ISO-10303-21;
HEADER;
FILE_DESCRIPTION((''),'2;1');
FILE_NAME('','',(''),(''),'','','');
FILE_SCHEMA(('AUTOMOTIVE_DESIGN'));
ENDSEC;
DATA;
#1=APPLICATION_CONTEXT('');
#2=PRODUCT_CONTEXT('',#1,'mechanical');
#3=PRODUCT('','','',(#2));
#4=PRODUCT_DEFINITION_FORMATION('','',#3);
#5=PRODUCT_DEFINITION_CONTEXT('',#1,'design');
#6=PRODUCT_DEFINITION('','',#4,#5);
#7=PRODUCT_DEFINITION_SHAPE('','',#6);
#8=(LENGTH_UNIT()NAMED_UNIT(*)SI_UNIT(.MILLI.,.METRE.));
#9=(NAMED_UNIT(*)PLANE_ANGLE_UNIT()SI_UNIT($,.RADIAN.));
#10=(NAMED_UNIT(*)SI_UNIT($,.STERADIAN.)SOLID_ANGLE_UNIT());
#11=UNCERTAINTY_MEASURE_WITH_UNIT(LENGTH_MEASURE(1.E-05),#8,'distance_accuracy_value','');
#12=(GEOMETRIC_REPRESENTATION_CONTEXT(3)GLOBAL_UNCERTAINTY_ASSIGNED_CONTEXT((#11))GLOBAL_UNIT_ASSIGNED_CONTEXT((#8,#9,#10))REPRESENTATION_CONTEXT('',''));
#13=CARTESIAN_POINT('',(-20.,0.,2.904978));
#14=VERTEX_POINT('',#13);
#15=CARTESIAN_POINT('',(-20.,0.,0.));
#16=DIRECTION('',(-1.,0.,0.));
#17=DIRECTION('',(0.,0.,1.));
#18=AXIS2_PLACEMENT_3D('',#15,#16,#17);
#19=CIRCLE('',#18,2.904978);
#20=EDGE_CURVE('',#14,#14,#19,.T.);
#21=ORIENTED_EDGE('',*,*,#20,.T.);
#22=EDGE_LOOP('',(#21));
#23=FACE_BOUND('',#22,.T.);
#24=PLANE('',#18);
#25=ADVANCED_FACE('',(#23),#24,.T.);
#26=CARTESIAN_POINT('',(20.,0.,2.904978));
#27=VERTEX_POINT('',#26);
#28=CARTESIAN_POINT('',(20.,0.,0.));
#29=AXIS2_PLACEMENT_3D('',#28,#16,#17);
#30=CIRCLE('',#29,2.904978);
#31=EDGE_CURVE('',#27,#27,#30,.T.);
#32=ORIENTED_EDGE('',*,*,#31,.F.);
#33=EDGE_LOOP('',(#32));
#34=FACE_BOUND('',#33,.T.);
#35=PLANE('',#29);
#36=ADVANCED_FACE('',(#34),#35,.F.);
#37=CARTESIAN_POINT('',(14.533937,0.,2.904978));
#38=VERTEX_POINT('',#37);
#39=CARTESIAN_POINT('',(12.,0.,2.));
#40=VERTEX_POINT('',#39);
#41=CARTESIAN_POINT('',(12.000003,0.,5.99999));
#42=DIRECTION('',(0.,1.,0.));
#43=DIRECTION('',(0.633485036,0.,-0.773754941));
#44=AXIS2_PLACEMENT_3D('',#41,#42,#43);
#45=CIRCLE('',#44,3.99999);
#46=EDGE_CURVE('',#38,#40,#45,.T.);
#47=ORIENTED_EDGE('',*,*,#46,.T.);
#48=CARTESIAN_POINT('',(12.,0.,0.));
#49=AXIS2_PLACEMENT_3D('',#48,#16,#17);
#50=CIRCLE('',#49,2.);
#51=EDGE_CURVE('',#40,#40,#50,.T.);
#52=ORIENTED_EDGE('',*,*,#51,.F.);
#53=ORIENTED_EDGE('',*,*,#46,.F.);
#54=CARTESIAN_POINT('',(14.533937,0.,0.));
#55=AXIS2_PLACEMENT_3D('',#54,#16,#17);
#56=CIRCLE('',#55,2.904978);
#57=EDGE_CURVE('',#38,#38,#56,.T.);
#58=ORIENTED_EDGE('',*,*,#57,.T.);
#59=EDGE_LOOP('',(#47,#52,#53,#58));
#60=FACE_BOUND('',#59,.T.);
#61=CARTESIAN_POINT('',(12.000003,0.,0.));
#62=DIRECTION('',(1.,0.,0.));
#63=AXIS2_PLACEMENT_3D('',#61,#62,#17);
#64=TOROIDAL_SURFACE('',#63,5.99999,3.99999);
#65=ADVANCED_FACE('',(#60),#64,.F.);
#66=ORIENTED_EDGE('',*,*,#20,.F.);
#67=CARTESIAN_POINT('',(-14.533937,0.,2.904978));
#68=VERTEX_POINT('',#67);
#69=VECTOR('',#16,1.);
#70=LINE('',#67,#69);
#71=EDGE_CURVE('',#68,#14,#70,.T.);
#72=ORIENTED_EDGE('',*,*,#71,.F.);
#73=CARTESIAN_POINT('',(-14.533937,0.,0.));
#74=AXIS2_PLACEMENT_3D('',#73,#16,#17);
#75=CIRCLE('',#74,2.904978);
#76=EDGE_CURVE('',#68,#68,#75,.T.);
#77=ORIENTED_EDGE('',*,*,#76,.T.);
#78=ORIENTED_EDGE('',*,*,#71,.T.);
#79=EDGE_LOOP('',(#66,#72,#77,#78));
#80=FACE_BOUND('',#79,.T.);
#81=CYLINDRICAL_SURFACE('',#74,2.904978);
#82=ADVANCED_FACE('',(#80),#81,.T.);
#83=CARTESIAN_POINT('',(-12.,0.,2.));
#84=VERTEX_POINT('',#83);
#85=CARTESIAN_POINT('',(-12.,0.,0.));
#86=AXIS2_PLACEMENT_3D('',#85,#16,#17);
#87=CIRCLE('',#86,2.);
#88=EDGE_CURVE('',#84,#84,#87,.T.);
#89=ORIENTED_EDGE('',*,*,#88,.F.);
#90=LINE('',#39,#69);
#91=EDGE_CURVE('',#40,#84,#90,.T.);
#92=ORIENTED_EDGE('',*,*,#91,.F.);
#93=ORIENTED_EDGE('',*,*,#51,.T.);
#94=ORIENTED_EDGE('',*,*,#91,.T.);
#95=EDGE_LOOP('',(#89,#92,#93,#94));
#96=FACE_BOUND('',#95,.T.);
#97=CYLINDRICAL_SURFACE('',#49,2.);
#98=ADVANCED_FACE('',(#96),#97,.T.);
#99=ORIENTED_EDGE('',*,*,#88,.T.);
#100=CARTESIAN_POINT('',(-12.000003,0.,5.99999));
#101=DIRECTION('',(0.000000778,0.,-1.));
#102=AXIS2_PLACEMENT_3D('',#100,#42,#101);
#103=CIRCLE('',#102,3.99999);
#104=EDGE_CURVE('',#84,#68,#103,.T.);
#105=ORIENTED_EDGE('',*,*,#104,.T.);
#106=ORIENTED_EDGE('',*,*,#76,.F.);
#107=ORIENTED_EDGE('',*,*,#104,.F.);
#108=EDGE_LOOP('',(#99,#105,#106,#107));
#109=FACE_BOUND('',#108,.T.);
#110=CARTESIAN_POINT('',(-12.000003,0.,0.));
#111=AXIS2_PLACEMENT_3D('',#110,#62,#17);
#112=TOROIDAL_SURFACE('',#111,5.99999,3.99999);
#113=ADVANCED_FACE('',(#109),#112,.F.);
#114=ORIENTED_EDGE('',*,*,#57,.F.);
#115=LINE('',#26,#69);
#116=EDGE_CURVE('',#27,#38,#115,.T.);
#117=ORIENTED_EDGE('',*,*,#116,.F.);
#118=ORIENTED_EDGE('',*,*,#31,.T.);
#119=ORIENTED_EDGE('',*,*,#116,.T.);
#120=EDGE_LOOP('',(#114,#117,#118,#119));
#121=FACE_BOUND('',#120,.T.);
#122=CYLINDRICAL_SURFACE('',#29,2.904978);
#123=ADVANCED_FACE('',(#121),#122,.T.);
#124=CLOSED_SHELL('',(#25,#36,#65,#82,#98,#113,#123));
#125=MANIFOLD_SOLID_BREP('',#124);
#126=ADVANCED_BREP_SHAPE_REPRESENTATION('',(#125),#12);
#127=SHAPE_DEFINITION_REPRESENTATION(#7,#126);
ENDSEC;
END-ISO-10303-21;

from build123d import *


with BuildPart() as f1:
    # F0 (on Front) → F1 (revolve)
    with BuildSketch(Plane.XZ):
        with BuildLine():
            Line((12, 2), (0, 2))
            Line((0, 2), (-12, 2))
            ThreePointArc((-12, 2), (-13.345346, 2.233032), (-14.533937, 2.904978))
            Line((-14.533937, 2.904978), (-20, 2.904978))
            Line((-20, 2.904978), (-20, 0))
            Line((-20, 0), (0, 0))
            Line((0, 0), (20, 0))
            Line((20, 0), (20, 2.904978))
            Line((20, 2.904978), (14.533937, 2.904978))
            ThreePointArc((14.533937, 2.904978), (13.345346, 2.233032), (12, 2))
        make_face()
    revolve(axis=Axis((10, 0, 0), (-1, 0, 0)))


solid = f1.part
